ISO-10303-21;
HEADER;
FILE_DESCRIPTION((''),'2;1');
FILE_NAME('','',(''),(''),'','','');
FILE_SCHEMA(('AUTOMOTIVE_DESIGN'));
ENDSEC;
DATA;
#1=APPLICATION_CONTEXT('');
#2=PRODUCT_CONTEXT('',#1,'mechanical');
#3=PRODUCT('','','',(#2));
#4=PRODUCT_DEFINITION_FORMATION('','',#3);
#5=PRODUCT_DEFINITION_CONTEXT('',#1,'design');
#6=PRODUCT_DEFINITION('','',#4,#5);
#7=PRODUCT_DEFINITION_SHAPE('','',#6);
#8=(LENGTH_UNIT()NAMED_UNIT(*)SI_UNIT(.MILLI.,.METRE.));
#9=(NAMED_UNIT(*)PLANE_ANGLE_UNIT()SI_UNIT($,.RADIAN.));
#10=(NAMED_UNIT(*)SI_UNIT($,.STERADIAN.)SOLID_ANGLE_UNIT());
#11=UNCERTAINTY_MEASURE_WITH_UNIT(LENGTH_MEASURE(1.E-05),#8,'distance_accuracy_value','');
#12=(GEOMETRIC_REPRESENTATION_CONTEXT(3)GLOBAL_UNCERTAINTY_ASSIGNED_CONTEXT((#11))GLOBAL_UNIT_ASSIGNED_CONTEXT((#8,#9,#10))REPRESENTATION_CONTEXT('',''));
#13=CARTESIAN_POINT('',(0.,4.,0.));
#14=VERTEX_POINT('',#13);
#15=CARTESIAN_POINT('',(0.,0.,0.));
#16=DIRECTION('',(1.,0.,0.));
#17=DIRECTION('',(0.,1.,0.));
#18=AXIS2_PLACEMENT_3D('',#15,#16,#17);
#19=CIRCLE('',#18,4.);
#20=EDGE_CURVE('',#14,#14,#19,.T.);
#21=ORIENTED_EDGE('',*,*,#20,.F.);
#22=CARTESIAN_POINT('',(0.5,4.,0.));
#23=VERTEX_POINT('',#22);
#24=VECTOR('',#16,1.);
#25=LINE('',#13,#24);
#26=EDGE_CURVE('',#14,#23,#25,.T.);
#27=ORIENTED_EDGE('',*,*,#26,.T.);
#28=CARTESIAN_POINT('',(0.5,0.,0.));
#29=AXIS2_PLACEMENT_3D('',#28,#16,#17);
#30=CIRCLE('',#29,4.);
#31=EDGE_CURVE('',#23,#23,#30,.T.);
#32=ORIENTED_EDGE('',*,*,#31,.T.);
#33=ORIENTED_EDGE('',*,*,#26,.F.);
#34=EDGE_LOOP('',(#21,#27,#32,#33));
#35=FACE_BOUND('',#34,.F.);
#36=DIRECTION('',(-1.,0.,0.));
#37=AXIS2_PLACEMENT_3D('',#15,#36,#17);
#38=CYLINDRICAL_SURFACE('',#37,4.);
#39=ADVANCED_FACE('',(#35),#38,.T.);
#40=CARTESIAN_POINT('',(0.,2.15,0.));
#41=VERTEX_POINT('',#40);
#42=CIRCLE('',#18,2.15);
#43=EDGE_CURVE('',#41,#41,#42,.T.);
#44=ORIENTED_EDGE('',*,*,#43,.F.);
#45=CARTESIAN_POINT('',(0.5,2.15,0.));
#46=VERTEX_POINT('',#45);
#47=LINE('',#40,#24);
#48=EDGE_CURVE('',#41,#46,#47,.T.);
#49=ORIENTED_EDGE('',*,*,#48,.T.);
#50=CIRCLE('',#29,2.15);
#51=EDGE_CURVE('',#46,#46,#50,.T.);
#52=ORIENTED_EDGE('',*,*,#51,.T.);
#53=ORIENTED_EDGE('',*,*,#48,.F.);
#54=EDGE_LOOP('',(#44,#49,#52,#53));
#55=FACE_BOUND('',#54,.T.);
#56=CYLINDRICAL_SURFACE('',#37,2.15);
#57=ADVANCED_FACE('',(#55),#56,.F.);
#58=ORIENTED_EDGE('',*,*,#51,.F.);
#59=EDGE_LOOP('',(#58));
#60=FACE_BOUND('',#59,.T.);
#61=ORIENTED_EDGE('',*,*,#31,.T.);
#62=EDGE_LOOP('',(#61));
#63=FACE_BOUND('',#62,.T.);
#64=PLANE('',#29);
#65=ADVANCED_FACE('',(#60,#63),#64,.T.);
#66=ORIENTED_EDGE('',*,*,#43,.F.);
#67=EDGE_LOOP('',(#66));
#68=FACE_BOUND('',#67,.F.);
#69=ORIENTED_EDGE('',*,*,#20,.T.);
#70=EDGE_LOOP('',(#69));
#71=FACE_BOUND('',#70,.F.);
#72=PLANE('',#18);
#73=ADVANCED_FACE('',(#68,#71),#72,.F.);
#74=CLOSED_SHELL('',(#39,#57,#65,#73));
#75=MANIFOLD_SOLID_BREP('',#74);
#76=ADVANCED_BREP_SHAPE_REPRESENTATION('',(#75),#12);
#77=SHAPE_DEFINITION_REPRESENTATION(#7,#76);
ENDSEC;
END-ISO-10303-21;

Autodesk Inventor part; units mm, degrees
ref_plane "YZ Plane" through (0, 0, 0) normal (1, 0, 0) x (0, 1, 0)
ref_plane "XZ Plane" through (0, 0, 0) normal (0, 1, 0) x (-1, 0, 0)
sketch "Skizze" plane through (0, 0, 0) normal (1, 0, 0) x (0, 1, 0)
  circle A0 centre (0, 0) radius 4
  circle A1 centre (0, 0) radius 2.15
  dimension "d0" = 4.3
  dimension "d1" = 8
extrude "Körper" add sketch "Skizze" along normal blind 0.5
ref_plane "Work Plane1" through (0, 0, 0) normal (0, 0, 1) x (1, 0, 0)
equation "\"d0\" = SD1"
equation "\"d1\" = SD2"
equation "\"d2\" = SD"
equation "\"SD1\" = 4.3"
equation "\"SD2\" = 8"
equation "\"SD\" = 0.5"
equation "\"NND\" = 4"
properties part number "ISO 7092 - 4" material "Stahl, weich"
